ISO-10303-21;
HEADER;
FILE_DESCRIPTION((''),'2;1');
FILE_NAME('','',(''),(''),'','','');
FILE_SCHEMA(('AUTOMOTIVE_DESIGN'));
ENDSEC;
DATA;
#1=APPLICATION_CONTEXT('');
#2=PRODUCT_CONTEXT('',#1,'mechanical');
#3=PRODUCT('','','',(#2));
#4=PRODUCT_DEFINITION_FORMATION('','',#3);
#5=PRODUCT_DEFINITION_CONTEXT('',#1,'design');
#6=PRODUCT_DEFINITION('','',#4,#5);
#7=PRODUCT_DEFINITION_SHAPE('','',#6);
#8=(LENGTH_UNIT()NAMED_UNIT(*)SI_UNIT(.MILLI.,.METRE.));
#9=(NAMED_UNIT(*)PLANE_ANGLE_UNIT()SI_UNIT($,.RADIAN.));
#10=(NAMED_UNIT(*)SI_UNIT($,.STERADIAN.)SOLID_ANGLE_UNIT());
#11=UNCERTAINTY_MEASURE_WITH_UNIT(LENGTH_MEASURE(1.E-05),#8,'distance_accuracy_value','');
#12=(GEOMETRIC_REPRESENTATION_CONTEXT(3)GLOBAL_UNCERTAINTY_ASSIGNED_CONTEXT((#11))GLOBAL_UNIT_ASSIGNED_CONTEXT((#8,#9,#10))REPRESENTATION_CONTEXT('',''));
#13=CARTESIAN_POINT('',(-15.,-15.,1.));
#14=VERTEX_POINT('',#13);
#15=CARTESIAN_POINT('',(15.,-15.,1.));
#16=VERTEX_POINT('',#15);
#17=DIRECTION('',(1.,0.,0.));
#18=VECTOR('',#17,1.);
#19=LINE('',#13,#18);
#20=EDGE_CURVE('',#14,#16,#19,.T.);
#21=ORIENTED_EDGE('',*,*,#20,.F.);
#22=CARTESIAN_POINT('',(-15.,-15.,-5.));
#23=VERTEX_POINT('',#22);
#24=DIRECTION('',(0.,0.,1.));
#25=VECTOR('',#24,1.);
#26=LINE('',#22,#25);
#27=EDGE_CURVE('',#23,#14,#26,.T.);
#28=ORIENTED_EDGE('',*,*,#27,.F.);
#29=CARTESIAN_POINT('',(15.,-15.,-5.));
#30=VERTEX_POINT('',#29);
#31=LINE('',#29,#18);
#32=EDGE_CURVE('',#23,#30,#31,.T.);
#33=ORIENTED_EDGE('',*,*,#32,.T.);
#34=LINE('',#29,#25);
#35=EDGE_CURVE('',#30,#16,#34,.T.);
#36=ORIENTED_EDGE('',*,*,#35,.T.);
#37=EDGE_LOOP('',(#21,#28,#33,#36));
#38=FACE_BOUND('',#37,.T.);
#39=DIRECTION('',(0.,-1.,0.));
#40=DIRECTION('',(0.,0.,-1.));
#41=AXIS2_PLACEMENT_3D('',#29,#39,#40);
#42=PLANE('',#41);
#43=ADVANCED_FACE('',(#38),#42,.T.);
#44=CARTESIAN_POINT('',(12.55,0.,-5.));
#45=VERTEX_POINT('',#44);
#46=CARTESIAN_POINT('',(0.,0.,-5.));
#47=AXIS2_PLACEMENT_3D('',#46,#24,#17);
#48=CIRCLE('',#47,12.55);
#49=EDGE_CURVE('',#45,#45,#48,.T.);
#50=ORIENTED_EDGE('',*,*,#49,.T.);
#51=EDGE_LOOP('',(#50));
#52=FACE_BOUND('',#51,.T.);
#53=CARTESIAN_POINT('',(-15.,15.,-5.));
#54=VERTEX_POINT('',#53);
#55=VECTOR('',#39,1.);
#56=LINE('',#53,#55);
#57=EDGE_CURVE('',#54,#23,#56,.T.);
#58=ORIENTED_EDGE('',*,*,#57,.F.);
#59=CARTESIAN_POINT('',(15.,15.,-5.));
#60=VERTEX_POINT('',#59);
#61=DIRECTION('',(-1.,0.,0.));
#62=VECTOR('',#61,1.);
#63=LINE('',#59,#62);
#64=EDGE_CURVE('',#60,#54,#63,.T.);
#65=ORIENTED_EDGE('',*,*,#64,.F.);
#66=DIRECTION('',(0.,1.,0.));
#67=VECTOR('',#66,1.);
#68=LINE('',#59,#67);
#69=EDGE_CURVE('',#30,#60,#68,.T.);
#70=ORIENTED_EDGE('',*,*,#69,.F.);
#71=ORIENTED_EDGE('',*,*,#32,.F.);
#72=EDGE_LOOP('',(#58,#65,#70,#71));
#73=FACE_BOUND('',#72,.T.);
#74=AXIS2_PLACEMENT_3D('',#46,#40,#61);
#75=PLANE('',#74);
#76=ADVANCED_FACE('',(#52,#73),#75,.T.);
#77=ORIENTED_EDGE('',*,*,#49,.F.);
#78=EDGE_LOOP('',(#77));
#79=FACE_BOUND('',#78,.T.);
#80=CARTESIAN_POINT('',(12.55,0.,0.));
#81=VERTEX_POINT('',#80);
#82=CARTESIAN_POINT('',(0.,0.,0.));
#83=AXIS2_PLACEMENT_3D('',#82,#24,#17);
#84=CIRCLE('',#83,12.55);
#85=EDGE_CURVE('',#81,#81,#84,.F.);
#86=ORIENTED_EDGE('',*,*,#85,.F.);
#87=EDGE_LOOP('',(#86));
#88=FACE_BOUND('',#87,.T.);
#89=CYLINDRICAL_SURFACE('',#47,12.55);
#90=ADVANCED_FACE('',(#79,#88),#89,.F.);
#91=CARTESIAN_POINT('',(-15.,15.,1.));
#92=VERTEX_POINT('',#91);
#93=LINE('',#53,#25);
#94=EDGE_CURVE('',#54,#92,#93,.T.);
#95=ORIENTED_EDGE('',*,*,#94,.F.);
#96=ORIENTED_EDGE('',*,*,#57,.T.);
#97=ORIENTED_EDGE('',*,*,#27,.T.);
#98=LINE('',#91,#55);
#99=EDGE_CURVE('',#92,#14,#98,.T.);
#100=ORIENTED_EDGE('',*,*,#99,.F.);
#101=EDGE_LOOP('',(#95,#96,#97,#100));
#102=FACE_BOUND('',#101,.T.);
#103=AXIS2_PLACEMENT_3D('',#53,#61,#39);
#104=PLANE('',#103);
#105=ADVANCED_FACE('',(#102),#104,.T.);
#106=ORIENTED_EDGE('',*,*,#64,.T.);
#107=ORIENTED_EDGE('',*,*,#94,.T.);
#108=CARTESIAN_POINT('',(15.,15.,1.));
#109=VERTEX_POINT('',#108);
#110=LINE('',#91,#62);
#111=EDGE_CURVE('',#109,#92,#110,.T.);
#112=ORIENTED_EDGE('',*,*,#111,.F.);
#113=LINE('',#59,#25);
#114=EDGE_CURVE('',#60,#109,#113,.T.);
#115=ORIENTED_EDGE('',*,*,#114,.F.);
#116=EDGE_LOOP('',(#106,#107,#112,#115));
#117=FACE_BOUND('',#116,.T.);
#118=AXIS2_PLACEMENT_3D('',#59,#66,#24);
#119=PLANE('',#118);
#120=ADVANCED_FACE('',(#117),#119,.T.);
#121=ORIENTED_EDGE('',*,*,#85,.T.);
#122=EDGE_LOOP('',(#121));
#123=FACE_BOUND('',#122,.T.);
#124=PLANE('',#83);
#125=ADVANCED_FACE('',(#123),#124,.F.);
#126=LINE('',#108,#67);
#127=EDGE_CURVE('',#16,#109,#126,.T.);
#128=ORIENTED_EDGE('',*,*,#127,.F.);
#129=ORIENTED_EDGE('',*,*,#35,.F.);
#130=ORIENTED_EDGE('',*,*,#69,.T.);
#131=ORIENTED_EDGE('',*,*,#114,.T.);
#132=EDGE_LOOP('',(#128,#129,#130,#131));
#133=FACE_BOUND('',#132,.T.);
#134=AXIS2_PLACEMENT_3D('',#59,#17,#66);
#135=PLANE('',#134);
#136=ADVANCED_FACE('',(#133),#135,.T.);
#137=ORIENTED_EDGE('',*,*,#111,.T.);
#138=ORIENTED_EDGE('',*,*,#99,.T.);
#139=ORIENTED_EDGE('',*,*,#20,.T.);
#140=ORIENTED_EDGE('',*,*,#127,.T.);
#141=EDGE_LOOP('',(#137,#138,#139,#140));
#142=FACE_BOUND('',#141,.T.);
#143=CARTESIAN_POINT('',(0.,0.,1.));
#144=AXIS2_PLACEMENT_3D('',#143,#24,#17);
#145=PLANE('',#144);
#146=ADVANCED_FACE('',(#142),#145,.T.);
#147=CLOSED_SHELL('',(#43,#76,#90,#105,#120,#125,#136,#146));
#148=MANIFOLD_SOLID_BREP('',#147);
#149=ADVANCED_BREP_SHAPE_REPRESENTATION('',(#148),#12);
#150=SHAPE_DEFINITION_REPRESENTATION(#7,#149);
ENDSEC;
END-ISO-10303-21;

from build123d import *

# Parameters (mm, degrees)
SKETCH2_W           = 30
SKETCH2_H           = 30
SKETCH2_R           = 12.55
BOSS_EXTRUDE1_DEPTH = 5
SKETCH4_W           = 30
SKETCH4_H           = 30
BOSS_EXTRUDE2_DEPTH = 1


with BuildPart() as part:
    # Sketch2 → Boss-Extrude1 (new body)
    with BuildSketch(Plane.XY):
        Rectangle(SKETCH2_W, SKETCH2_H)
        Circle(SKETCH2_R, mode=Mode.SUBTRACT)
    extrude(amount=-BOSS_EXTRUDE1_DEPTH)

    # Sketch4 → Boss-Extrude2 (add)
    with BuildSketch(Plane.XY):
        Rectangle(SKETCH4_W, SKETCH4_H)
    extrude(amount=BOSS_EXTRUDE2_DEPTH)


solid = part.part
